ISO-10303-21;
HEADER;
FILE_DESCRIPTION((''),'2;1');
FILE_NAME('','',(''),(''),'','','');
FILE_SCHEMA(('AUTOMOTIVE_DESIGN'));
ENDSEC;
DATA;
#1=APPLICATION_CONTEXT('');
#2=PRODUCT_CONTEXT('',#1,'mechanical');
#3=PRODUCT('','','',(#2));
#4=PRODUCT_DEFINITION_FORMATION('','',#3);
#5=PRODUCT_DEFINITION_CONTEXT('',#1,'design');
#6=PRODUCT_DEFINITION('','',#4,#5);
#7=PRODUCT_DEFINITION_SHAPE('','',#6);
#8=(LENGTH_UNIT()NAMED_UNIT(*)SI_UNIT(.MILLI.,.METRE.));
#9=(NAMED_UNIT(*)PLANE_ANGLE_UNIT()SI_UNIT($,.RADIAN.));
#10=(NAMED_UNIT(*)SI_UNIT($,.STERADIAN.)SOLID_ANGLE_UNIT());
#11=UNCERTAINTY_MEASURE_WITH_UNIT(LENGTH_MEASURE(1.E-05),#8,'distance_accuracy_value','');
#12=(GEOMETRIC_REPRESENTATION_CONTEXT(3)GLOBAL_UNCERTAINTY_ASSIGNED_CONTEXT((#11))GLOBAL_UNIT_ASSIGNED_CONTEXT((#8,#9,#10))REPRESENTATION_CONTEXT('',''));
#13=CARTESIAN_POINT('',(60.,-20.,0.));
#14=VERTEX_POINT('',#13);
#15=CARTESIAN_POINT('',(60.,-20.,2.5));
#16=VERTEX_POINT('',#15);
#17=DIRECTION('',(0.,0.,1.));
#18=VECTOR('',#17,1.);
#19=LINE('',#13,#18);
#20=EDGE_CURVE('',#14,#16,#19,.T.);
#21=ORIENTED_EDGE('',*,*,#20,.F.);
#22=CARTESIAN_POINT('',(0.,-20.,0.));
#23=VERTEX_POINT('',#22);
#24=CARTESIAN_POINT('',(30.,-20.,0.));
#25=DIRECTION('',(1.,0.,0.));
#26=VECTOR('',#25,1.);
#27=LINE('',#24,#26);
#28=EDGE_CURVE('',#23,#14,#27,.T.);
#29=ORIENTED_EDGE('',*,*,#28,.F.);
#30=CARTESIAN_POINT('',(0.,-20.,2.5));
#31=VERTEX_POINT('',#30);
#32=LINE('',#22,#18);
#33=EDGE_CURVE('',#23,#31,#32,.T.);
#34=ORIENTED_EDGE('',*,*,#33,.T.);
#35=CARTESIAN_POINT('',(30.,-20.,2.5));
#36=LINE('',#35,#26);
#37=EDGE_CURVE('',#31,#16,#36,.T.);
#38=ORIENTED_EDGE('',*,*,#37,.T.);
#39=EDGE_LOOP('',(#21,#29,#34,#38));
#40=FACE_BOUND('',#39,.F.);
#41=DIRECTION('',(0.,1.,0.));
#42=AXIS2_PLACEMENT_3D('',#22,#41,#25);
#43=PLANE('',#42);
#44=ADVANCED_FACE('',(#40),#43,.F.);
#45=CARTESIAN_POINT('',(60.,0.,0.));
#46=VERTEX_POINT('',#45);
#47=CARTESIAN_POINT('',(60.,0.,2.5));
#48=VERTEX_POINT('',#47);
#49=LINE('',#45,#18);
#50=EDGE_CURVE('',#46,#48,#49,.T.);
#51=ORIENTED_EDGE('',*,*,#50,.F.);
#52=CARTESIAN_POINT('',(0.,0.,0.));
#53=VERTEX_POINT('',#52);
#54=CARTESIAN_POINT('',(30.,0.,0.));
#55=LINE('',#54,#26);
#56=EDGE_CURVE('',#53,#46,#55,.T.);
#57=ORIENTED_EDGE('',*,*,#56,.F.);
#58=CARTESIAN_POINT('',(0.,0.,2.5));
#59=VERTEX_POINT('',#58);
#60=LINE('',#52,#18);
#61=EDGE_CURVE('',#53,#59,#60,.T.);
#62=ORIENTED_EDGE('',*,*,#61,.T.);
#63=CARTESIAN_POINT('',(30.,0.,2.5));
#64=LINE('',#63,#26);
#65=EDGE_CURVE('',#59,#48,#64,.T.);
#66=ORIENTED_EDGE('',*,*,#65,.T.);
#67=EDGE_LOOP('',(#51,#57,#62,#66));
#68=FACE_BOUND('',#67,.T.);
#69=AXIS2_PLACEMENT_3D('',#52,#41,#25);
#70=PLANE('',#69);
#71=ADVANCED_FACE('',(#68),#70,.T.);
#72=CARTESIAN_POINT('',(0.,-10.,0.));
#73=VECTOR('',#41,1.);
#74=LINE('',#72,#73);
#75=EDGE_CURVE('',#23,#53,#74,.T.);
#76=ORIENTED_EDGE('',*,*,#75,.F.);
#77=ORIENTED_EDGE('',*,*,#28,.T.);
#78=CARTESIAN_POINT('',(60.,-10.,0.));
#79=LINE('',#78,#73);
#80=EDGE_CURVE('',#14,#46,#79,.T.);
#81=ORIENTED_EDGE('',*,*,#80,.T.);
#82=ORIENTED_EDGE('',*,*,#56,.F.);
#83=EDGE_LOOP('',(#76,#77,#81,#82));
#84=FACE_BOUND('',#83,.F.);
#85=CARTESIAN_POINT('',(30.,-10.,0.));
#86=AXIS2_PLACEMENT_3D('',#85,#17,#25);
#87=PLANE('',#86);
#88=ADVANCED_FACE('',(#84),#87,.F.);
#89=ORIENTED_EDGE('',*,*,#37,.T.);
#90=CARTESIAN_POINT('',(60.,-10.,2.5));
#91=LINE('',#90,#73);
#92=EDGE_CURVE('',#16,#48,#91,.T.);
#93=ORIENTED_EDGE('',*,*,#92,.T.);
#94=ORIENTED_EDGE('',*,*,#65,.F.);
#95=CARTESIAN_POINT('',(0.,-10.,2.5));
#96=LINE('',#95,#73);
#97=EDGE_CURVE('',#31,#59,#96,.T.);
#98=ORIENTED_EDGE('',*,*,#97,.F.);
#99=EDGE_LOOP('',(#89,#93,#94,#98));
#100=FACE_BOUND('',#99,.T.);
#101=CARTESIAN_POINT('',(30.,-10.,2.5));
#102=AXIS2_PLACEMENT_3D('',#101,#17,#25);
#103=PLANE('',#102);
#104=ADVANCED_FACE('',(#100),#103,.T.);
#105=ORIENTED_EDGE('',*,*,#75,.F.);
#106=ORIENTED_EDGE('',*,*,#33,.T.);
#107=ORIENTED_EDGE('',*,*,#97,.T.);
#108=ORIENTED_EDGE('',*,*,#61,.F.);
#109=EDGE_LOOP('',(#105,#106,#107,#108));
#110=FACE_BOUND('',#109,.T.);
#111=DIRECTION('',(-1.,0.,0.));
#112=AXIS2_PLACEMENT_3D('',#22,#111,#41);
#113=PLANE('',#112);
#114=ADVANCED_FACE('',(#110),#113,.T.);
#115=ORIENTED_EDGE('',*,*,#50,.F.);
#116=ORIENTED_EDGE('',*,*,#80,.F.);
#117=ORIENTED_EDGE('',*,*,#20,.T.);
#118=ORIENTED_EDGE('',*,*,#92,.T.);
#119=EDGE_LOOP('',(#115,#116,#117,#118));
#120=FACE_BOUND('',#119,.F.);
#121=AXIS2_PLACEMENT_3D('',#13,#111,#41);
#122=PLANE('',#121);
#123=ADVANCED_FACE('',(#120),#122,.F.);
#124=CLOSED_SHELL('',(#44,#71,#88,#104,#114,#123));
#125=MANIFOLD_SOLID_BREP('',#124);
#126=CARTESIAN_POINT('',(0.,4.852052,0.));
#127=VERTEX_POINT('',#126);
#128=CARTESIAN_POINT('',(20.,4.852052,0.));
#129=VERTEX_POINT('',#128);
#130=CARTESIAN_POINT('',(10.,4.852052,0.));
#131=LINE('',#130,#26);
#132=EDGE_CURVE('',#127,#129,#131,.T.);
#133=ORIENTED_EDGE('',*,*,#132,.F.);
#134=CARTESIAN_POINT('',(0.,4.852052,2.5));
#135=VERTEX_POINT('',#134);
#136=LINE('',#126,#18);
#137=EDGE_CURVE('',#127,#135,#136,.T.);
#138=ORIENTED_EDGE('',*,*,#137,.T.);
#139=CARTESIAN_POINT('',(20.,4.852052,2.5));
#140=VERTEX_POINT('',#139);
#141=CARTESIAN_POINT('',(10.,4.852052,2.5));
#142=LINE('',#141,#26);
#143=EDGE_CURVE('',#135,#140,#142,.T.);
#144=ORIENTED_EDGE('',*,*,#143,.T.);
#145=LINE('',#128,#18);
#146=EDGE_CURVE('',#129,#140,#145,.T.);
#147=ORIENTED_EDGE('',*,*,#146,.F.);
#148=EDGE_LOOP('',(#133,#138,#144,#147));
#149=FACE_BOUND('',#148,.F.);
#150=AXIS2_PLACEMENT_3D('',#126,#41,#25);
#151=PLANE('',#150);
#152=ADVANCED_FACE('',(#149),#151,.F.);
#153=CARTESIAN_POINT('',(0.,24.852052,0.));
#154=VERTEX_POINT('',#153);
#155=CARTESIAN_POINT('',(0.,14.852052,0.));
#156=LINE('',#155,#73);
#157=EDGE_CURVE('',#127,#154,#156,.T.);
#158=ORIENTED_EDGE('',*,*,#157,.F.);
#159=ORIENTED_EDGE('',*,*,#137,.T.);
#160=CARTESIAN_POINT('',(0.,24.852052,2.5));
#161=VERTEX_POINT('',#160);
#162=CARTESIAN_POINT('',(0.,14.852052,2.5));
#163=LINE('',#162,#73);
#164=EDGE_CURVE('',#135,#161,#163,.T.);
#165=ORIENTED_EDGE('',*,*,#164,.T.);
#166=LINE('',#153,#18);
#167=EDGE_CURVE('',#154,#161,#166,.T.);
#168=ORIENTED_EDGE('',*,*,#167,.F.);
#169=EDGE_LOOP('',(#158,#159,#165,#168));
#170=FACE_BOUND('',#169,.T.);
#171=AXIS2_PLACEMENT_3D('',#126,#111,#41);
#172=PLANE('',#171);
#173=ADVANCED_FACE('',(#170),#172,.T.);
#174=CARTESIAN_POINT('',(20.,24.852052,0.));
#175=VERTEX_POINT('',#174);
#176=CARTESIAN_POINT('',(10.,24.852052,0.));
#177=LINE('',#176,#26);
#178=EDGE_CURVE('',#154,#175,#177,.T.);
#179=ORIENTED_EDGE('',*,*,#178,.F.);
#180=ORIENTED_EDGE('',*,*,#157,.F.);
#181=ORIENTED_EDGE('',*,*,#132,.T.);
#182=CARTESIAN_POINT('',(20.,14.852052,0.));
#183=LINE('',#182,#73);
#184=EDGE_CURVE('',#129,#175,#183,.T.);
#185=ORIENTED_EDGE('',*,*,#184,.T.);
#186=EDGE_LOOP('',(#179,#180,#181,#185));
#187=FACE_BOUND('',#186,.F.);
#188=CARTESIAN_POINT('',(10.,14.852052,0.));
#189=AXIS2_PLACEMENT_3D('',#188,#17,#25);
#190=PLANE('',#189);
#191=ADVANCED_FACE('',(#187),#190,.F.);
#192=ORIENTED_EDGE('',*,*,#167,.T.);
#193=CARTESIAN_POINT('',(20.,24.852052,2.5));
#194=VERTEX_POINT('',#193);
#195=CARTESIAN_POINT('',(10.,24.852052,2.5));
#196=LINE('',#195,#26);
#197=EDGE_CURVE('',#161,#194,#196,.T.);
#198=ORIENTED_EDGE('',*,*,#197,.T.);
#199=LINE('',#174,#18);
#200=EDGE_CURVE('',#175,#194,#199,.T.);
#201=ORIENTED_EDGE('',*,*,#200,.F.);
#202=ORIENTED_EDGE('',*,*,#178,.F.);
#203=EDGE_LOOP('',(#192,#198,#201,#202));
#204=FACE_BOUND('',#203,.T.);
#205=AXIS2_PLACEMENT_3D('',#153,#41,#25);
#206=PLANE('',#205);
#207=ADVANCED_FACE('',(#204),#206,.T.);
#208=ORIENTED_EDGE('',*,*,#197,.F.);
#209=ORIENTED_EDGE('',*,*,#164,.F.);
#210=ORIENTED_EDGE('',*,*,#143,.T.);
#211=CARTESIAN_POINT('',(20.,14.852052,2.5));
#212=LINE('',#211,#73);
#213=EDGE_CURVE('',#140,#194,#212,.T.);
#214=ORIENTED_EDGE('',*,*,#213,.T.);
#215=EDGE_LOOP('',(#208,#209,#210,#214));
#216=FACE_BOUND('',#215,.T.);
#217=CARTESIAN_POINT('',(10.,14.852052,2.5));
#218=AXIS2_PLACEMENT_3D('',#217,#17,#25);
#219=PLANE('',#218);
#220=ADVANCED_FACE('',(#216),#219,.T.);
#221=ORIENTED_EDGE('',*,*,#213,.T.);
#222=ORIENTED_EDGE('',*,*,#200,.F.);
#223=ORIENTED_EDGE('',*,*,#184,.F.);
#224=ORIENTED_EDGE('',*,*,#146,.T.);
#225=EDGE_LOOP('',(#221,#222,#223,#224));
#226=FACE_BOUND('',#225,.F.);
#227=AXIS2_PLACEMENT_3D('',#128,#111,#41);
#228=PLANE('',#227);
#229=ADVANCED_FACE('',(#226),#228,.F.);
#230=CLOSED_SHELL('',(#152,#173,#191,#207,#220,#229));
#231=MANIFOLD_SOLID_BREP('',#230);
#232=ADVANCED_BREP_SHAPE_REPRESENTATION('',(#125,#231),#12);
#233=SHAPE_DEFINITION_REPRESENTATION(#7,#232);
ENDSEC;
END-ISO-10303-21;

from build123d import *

# Parameters (mm, degrees)
F0_W     = 60
F0_H     = 20
F0_W_2   = 20
F1_DEPTH = 2.5


with BuildPart() as f1:
    # F0 (on Top) → F1 (new body)
    with BuildSketch(Plane.XY):
        with Locations((30, -10)):
            Rectangle(F0_W, F0_H)
        with Locations((10, 14.852052)):
            Rectangle(F0_W_2, F0_H)
    extrude(amount=F1_DEPTH)


solid = f1.part
